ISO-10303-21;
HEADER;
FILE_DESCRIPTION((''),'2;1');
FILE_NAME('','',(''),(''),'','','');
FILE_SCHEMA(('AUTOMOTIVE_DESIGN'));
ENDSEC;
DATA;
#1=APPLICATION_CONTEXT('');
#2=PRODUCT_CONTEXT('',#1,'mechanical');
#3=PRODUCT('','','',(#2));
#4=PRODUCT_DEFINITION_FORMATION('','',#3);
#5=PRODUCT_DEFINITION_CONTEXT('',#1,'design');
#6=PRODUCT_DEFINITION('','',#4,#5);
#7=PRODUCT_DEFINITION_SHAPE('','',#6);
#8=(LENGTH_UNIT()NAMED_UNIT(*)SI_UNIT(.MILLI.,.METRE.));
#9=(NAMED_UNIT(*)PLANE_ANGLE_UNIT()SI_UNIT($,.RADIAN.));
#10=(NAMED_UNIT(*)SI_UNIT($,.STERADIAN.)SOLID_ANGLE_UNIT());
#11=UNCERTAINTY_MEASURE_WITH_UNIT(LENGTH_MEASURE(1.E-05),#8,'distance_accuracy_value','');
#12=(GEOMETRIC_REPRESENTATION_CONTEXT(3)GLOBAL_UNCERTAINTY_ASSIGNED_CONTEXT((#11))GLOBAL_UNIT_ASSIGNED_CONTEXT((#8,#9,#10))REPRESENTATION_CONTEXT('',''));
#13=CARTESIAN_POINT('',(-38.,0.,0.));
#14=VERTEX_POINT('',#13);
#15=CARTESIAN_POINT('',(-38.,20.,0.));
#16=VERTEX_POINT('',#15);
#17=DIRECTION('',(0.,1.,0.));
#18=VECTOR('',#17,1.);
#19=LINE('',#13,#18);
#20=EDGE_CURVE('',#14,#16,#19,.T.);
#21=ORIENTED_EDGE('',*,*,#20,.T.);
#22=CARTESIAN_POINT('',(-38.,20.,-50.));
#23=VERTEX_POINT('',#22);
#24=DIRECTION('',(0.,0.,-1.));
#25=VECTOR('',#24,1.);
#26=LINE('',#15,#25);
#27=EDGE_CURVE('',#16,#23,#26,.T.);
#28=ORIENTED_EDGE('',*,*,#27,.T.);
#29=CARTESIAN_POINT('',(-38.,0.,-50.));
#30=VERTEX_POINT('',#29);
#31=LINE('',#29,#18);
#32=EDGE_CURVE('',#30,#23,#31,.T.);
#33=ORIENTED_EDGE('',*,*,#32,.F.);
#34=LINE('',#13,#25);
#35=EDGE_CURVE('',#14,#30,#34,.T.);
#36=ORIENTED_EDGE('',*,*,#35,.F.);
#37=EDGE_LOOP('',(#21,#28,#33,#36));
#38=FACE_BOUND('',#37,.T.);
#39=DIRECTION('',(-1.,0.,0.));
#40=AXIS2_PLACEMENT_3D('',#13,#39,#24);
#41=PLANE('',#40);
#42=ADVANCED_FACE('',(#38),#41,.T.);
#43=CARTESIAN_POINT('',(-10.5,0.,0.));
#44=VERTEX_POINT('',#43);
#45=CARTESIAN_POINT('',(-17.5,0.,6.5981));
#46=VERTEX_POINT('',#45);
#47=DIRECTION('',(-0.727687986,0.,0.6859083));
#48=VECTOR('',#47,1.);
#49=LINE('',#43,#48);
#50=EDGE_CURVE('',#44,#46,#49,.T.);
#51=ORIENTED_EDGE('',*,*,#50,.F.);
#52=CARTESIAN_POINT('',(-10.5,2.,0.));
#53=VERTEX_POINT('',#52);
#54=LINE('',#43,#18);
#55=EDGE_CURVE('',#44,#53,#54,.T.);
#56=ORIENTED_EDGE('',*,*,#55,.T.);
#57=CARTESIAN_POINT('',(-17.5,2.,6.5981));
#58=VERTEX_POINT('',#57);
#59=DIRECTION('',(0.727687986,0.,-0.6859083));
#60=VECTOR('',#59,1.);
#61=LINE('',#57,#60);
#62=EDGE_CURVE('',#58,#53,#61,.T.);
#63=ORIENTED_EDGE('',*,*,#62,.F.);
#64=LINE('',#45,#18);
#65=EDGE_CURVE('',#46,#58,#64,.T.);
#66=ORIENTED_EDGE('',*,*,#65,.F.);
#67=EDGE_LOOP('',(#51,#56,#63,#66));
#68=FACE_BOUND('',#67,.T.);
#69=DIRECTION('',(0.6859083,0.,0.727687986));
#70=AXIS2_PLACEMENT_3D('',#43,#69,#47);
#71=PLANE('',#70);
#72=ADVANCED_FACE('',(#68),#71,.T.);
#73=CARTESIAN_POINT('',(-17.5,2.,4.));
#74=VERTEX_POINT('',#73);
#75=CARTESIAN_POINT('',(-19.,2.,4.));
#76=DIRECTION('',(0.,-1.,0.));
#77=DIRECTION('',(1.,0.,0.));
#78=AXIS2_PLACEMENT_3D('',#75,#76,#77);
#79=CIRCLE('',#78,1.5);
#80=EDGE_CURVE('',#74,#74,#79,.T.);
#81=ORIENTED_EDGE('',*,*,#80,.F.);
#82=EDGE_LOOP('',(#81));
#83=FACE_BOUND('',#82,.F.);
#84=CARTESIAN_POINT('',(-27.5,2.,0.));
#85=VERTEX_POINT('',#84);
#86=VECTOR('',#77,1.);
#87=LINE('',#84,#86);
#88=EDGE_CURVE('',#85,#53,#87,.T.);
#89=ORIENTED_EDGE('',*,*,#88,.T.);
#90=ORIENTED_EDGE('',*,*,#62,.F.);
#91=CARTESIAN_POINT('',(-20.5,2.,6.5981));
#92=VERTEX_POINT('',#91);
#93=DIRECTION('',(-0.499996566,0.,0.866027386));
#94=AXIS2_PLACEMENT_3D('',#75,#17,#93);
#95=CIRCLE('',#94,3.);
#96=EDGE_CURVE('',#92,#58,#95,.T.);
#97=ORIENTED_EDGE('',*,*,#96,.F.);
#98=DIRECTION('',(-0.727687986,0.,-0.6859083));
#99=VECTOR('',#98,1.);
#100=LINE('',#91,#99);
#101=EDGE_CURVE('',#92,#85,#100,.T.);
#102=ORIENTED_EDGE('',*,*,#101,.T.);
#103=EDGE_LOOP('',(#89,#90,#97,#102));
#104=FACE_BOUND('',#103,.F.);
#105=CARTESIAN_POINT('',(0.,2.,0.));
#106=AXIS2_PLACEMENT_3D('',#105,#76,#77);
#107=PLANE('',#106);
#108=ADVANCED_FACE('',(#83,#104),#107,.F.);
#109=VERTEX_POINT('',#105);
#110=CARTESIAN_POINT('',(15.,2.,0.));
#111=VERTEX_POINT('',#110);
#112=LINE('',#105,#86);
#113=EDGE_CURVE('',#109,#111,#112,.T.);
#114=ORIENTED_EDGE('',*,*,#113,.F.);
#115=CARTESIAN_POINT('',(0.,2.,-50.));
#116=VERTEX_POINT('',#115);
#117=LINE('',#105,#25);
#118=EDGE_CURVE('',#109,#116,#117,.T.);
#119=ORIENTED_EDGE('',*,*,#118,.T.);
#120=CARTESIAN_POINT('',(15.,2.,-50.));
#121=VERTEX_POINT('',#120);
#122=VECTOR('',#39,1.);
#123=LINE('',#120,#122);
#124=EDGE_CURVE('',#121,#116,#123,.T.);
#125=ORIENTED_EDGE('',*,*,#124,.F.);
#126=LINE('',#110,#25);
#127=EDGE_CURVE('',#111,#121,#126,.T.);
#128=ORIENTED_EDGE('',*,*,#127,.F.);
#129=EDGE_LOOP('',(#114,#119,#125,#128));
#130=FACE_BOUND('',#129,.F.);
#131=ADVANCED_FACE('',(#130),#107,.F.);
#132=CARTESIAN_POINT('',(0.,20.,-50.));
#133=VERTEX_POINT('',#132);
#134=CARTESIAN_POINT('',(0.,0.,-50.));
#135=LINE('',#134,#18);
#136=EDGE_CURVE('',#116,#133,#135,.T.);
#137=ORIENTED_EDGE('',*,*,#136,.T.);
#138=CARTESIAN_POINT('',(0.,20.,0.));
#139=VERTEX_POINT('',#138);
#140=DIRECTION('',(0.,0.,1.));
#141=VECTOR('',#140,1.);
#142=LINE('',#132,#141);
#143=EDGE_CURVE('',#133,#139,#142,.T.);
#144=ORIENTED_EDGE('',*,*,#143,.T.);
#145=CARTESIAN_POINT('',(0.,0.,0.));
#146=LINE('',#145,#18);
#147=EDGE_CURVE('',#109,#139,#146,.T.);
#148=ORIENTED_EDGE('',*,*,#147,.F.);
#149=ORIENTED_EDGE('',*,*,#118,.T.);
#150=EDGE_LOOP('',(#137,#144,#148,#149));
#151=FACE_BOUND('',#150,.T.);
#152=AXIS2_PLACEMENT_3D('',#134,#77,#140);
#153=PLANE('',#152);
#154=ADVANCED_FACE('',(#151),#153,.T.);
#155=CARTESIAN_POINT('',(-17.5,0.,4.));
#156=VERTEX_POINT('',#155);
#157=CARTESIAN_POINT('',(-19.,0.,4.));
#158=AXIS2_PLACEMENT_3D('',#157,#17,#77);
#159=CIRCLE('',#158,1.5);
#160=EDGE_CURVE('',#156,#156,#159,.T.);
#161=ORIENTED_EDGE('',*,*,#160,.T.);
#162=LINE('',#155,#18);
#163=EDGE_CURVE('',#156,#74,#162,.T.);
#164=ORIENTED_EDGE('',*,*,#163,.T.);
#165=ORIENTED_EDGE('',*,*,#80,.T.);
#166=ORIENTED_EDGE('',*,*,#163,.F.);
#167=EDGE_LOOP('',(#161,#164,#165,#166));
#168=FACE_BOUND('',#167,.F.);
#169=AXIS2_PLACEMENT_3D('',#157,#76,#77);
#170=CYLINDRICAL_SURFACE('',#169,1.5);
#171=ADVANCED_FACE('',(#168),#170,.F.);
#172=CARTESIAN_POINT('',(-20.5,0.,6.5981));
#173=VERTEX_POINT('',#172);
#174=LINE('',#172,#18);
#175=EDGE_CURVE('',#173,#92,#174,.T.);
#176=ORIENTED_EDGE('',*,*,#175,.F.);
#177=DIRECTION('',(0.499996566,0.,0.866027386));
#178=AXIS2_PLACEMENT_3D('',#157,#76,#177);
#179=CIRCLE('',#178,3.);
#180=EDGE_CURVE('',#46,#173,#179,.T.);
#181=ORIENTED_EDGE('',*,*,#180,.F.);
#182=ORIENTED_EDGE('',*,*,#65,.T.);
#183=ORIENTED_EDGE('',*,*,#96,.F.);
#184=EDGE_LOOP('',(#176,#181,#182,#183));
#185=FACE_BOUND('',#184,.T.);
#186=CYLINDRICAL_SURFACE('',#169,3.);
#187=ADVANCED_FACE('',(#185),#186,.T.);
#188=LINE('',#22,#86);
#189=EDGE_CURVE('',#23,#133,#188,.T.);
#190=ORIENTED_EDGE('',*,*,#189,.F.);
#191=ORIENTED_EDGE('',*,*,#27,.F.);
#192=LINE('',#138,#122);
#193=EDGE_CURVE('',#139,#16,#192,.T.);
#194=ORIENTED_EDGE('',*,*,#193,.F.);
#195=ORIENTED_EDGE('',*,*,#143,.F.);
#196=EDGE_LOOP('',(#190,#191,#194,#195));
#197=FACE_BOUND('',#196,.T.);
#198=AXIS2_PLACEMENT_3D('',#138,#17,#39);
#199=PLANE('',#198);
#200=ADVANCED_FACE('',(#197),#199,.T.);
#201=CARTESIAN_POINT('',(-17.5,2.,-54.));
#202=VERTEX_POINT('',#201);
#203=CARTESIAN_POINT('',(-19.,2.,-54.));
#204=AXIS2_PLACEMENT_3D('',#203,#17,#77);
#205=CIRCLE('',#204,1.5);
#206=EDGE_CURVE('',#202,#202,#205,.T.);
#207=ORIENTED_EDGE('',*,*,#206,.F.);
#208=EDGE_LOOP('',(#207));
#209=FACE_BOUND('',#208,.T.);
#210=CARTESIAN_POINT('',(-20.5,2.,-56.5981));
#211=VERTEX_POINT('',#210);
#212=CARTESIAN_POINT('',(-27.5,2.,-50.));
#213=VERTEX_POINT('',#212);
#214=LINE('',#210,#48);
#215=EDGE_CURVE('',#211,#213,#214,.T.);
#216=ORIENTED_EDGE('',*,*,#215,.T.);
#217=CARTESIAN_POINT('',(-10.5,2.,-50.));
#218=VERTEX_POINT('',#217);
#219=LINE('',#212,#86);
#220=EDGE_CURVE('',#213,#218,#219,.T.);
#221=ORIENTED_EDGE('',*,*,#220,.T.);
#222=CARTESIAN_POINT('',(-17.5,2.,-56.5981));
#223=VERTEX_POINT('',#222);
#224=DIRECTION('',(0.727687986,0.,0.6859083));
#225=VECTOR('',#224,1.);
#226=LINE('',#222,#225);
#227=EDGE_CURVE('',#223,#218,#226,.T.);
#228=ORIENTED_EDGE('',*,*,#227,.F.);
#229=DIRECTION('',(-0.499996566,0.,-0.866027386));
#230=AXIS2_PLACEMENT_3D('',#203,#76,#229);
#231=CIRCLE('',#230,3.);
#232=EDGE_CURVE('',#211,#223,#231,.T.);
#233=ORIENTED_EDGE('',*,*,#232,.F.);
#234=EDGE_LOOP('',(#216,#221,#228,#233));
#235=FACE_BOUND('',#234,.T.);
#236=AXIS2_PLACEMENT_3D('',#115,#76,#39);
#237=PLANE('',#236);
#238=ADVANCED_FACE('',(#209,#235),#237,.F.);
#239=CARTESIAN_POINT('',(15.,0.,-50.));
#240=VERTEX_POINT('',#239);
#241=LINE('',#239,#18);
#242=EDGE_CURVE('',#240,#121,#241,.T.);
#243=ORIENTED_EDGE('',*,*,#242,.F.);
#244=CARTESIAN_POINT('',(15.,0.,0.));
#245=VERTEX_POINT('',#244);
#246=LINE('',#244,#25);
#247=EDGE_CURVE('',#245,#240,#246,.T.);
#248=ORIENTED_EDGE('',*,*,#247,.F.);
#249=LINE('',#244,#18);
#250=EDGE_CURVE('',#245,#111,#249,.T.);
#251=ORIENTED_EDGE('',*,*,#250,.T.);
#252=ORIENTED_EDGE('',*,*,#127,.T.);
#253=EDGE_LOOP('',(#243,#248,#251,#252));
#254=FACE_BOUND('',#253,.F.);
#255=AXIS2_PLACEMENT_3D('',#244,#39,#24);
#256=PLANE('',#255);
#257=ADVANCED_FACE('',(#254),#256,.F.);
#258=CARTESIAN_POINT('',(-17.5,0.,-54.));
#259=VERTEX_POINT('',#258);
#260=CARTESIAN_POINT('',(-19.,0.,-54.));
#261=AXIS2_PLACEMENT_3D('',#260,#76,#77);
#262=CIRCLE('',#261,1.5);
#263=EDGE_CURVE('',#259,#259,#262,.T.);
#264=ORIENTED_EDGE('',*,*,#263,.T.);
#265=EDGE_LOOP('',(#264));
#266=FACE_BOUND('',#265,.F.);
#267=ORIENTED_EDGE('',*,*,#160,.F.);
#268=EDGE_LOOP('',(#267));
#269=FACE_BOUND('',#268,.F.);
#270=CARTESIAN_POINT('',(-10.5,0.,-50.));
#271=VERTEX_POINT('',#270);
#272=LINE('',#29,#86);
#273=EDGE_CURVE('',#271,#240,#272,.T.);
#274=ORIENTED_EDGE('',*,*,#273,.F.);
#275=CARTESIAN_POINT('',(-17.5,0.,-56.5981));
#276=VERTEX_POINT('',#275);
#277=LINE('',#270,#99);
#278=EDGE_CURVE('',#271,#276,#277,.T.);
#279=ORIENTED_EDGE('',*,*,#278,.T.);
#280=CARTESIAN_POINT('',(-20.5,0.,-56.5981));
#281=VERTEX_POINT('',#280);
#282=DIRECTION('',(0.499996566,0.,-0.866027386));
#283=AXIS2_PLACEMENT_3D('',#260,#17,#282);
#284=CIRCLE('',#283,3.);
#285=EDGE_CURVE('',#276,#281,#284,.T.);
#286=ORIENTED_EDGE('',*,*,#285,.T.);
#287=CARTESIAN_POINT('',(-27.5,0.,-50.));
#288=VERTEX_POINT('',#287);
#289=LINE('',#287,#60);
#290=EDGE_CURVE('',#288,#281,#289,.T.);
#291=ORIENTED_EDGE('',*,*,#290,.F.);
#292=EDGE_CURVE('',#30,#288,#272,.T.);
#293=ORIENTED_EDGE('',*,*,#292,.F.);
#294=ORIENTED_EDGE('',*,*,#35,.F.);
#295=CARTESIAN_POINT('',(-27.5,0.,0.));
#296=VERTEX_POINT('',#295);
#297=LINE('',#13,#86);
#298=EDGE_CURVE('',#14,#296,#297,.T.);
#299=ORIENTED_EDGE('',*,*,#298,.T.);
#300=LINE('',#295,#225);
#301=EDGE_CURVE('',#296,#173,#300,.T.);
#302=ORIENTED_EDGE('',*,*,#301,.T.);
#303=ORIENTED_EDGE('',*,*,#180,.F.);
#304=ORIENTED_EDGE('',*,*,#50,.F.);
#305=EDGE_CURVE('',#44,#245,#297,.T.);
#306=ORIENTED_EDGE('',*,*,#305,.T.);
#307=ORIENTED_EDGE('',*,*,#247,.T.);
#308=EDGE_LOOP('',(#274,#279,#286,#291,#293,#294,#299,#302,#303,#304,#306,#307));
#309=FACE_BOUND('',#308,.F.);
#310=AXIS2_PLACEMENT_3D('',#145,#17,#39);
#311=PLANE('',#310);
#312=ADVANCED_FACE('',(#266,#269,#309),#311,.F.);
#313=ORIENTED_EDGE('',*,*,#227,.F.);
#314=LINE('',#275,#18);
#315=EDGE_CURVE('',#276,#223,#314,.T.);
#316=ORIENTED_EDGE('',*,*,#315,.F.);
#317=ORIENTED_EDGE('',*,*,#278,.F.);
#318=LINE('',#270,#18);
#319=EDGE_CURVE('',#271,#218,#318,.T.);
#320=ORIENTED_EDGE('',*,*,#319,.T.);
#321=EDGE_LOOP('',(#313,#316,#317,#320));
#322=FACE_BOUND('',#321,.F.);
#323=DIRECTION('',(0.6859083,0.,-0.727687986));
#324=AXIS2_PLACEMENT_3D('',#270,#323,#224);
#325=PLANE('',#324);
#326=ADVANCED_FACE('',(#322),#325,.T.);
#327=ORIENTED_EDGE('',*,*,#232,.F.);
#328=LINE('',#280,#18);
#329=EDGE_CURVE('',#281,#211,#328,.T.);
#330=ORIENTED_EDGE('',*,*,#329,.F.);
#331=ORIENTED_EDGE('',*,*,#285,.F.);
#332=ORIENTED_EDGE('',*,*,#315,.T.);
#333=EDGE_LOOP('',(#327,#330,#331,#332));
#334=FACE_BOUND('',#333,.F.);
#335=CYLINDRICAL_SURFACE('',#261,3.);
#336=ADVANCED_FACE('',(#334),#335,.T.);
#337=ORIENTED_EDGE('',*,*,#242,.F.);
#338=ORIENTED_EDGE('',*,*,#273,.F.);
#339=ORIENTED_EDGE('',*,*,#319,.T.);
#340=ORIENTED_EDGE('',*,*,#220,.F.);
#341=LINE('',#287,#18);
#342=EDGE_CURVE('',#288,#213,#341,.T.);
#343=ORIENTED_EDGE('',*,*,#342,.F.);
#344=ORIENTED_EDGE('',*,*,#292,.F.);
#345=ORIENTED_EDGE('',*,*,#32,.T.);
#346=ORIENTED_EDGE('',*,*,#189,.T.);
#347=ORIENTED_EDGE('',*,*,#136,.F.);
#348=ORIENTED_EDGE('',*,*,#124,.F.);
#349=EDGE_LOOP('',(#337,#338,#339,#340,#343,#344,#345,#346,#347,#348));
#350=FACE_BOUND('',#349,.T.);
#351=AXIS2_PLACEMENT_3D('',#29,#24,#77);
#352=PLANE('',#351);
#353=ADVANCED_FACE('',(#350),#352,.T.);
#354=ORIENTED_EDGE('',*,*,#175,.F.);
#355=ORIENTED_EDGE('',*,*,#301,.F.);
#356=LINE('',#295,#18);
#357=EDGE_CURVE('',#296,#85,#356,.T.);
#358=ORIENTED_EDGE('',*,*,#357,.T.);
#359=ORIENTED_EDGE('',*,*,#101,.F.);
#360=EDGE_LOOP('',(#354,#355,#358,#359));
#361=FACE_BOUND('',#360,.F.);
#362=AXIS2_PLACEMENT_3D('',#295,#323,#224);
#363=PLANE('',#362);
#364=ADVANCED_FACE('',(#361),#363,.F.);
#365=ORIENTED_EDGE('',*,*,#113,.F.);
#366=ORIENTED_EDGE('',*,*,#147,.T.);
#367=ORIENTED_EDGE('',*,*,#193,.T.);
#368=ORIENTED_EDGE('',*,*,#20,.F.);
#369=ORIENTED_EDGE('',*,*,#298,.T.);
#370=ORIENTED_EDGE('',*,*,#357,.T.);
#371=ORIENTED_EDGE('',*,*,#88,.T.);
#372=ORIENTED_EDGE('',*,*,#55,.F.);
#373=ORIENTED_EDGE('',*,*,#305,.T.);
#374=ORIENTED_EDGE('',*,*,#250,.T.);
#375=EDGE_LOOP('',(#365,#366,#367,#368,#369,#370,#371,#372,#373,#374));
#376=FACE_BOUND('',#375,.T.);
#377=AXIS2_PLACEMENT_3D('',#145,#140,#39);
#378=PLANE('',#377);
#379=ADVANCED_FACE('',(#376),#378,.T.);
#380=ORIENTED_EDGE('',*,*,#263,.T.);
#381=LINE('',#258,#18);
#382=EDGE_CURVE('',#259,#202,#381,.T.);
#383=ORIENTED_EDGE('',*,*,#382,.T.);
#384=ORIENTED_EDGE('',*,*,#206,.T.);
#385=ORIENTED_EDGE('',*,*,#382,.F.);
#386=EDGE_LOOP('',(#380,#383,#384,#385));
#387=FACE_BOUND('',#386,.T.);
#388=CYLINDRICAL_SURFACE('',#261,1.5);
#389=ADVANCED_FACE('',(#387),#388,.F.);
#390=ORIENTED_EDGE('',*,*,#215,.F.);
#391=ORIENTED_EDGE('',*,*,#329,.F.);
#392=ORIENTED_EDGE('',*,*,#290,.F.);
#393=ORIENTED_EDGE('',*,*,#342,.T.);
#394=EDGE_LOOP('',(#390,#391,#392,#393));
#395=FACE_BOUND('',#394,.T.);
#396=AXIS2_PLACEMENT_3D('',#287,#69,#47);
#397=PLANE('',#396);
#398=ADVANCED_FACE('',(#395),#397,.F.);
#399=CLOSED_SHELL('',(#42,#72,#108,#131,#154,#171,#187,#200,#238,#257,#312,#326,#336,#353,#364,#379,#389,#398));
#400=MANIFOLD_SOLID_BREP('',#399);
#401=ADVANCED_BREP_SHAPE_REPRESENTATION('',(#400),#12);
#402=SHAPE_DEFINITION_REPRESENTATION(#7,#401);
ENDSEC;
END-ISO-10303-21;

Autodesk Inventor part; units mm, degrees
ref_plane "YZ Plane" through (0, 0, 0) normal (1, 0, 0) x (0, 1, 0)
ref_plane "XZ Plane" through (0, 0, 0) normal (0, 1, 0) x (-1, 0, 0)
sketch "Sketch1" plane through (0, 0, 0) normal (0, 1, 0) x (-1, 0, 0)
  line L0 (0, 0) -> (38, 0)
  line L1 (38, 0) -> (38, -50)
  line L2 (38, -50) -> (0, -50)
  line L3 (0, -50) -> (0, 0)
  dimension "d0" = 38
  dimension "d1" = 50
extrude "Extrusion1" add sketch "Sketch1" along normal blind 20
sketch "Sketch2" plane through (0, 0, 0) normal (0, -1, 0) x (1, 0, 0)
  line L0 (0, 0) -> (0, -50) projected
  line L1 (0, 0) -> (15, 0)
  line L2 (15, 0) -> (15, -50)
  line L3 (15, -50) -> (0, -50)
  line L4 (0, -50) -> (0, 0)
  dimension "d4" = 15
  dimension "d5" = 50
extrude "Extrusion2" add sketch "Sketch2" against normal blind 2
sketch "Sketch3" plane through (0, 0, 0) normal (0, -1, 0) x (1, 0, 0)
  line L0 (-38, 0) -> (0, 0) projected
  line L1 (-19, 0) -> (-19, 7)
  line L2 (-19, 0) -> (-19, 4)
  line L3 (-19, 0) -> (-10.5, 0)
  line L4 (-19, 0) -> (-27.5, 0)
  circle A0 centre (-19, 4) radius 1.5
  circle A1 centre (-19, 4) radius 3
  line L5 (-10.5, 0) -> (-17.5, 6.5981)
  line L6 (-27.5, 0) -> (-20.5, 6.5981)
  dimension "d8" = 7
  dimension "d9" = 4
  dimension "d10" = 8.5
  dimension "d11" = 8.5
  dimension "d12" = 3
  dimension "d13" = 6.5981
  dimension "d14" = 6.5981
extrude "Extrusion3" add sketch "Sketch3" against normal blind 2 contours L6 A1 L1 L0 | L1 A1 L5 L0 | L6 A1 L1 A0 | L1 A0 A1 L5
ref_plane "Work Plane1" through (-38, 20, -25) normal (0, 0, 1) x (1, 0, 0)
mirror "Mirror1" about plane through (-38, 20, -25) normal (0, 0, 1) of "Extrusion3"
properties part number "25W_1224_5V"
